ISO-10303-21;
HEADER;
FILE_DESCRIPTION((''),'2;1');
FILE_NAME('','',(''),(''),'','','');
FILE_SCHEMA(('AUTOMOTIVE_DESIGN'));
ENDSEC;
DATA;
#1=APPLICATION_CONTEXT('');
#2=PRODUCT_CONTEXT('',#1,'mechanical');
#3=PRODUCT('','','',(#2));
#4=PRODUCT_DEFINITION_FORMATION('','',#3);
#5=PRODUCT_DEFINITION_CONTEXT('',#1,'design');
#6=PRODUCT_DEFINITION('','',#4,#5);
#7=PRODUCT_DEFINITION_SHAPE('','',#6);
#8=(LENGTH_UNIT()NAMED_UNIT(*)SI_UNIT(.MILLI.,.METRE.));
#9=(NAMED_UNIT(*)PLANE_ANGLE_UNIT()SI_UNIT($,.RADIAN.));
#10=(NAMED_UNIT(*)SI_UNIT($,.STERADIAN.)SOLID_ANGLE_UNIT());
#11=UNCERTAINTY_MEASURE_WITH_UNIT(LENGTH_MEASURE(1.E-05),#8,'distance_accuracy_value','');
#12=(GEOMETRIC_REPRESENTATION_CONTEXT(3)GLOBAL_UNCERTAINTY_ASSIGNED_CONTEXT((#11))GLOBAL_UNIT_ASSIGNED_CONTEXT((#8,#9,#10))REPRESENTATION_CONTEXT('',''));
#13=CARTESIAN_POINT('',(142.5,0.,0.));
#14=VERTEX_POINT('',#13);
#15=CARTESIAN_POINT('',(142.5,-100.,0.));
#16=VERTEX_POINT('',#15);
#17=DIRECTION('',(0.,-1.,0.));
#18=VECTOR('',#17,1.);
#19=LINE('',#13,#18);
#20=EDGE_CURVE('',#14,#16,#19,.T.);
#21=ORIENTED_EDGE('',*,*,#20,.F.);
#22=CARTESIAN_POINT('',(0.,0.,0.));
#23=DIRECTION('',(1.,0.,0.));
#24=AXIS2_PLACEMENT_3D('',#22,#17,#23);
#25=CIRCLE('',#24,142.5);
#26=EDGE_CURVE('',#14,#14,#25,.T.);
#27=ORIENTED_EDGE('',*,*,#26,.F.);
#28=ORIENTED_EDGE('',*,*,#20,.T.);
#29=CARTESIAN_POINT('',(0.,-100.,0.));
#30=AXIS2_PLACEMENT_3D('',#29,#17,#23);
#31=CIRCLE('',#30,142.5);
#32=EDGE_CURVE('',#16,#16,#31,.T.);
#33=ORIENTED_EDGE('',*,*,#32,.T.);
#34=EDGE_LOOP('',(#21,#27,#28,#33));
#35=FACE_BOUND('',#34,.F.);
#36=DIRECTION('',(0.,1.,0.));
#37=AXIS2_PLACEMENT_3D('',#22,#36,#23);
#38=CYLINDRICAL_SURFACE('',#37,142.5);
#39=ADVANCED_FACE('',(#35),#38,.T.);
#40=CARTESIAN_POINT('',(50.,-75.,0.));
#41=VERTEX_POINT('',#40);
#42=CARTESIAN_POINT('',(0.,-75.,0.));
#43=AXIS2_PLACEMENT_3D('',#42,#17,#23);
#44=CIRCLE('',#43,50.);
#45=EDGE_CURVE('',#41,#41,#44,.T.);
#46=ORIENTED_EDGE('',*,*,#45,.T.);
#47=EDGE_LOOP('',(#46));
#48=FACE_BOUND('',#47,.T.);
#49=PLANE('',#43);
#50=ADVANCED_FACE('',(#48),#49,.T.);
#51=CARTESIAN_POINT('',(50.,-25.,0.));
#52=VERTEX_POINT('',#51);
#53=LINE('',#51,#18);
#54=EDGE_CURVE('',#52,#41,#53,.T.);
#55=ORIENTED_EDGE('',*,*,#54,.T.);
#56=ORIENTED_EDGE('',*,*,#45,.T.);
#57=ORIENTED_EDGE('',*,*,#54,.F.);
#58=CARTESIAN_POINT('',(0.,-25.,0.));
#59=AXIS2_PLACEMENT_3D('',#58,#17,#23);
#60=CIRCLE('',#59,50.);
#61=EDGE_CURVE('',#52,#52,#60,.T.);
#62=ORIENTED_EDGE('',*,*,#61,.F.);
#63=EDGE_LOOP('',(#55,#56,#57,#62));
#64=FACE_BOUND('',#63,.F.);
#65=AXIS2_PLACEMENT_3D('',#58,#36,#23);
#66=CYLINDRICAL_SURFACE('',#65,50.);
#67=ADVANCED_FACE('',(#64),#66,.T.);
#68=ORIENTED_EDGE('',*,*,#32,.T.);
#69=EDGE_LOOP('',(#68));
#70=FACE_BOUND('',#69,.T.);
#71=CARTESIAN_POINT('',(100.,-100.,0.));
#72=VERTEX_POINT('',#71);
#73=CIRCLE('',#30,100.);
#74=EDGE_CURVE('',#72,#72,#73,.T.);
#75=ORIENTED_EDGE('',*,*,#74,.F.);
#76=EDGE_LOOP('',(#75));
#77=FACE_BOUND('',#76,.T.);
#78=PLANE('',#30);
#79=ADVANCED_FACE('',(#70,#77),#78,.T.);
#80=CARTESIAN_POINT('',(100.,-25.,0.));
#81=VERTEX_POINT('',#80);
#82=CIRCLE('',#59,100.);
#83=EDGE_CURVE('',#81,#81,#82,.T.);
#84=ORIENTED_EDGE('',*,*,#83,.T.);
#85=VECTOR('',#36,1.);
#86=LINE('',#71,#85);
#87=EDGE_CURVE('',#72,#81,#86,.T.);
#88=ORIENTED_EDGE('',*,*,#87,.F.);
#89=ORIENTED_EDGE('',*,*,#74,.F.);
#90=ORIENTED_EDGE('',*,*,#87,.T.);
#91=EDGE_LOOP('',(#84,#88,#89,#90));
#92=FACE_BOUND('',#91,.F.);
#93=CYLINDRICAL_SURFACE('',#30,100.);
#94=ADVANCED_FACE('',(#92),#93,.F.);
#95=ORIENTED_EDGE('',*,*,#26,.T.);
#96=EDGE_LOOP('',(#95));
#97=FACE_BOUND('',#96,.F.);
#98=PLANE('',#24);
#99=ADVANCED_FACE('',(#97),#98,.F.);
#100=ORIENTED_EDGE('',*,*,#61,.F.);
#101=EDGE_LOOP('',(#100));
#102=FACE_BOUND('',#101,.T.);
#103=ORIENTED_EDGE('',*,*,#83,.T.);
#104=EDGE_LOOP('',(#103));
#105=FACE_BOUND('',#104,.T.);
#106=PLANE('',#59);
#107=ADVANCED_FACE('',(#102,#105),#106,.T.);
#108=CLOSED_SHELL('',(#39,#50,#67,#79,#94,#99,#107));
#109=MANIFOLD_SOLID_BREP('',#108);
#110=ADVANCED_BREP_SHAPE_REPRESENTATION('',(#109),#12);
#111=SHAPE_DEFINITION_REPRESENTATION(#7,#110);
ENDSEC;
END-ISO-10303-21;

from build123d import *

# Parameters (mm, degrees)
F0_R     = 142.5
F1_DEPTH = 100
F2_R     = 100
F3_DEPTH = 75
F4_R     = 50
F5_DEPTH = 50


with BuildPart() as f1:
    # F0 (on Front) → F1 (new body)
    with BuildSketch(Plane.XZ):
        Circle(F0_R)
    extrude(amount=F1_DEPTH)

    # F2 (on face) → F3 (cut)
    with BuildSketch(Plane.XZ.offset(100)):
        Circle(F2_R)
    extrude(amount=-F3_DEPTH, mode=Mode.SUBTRACT)

    # F4 (on face) → F5 (join)
    with BuildSketch(Plane.XZ.offset(25)):
        Circle(F4_R)
    extrude(amount=F5_DEPTH)


solid = f1.part
